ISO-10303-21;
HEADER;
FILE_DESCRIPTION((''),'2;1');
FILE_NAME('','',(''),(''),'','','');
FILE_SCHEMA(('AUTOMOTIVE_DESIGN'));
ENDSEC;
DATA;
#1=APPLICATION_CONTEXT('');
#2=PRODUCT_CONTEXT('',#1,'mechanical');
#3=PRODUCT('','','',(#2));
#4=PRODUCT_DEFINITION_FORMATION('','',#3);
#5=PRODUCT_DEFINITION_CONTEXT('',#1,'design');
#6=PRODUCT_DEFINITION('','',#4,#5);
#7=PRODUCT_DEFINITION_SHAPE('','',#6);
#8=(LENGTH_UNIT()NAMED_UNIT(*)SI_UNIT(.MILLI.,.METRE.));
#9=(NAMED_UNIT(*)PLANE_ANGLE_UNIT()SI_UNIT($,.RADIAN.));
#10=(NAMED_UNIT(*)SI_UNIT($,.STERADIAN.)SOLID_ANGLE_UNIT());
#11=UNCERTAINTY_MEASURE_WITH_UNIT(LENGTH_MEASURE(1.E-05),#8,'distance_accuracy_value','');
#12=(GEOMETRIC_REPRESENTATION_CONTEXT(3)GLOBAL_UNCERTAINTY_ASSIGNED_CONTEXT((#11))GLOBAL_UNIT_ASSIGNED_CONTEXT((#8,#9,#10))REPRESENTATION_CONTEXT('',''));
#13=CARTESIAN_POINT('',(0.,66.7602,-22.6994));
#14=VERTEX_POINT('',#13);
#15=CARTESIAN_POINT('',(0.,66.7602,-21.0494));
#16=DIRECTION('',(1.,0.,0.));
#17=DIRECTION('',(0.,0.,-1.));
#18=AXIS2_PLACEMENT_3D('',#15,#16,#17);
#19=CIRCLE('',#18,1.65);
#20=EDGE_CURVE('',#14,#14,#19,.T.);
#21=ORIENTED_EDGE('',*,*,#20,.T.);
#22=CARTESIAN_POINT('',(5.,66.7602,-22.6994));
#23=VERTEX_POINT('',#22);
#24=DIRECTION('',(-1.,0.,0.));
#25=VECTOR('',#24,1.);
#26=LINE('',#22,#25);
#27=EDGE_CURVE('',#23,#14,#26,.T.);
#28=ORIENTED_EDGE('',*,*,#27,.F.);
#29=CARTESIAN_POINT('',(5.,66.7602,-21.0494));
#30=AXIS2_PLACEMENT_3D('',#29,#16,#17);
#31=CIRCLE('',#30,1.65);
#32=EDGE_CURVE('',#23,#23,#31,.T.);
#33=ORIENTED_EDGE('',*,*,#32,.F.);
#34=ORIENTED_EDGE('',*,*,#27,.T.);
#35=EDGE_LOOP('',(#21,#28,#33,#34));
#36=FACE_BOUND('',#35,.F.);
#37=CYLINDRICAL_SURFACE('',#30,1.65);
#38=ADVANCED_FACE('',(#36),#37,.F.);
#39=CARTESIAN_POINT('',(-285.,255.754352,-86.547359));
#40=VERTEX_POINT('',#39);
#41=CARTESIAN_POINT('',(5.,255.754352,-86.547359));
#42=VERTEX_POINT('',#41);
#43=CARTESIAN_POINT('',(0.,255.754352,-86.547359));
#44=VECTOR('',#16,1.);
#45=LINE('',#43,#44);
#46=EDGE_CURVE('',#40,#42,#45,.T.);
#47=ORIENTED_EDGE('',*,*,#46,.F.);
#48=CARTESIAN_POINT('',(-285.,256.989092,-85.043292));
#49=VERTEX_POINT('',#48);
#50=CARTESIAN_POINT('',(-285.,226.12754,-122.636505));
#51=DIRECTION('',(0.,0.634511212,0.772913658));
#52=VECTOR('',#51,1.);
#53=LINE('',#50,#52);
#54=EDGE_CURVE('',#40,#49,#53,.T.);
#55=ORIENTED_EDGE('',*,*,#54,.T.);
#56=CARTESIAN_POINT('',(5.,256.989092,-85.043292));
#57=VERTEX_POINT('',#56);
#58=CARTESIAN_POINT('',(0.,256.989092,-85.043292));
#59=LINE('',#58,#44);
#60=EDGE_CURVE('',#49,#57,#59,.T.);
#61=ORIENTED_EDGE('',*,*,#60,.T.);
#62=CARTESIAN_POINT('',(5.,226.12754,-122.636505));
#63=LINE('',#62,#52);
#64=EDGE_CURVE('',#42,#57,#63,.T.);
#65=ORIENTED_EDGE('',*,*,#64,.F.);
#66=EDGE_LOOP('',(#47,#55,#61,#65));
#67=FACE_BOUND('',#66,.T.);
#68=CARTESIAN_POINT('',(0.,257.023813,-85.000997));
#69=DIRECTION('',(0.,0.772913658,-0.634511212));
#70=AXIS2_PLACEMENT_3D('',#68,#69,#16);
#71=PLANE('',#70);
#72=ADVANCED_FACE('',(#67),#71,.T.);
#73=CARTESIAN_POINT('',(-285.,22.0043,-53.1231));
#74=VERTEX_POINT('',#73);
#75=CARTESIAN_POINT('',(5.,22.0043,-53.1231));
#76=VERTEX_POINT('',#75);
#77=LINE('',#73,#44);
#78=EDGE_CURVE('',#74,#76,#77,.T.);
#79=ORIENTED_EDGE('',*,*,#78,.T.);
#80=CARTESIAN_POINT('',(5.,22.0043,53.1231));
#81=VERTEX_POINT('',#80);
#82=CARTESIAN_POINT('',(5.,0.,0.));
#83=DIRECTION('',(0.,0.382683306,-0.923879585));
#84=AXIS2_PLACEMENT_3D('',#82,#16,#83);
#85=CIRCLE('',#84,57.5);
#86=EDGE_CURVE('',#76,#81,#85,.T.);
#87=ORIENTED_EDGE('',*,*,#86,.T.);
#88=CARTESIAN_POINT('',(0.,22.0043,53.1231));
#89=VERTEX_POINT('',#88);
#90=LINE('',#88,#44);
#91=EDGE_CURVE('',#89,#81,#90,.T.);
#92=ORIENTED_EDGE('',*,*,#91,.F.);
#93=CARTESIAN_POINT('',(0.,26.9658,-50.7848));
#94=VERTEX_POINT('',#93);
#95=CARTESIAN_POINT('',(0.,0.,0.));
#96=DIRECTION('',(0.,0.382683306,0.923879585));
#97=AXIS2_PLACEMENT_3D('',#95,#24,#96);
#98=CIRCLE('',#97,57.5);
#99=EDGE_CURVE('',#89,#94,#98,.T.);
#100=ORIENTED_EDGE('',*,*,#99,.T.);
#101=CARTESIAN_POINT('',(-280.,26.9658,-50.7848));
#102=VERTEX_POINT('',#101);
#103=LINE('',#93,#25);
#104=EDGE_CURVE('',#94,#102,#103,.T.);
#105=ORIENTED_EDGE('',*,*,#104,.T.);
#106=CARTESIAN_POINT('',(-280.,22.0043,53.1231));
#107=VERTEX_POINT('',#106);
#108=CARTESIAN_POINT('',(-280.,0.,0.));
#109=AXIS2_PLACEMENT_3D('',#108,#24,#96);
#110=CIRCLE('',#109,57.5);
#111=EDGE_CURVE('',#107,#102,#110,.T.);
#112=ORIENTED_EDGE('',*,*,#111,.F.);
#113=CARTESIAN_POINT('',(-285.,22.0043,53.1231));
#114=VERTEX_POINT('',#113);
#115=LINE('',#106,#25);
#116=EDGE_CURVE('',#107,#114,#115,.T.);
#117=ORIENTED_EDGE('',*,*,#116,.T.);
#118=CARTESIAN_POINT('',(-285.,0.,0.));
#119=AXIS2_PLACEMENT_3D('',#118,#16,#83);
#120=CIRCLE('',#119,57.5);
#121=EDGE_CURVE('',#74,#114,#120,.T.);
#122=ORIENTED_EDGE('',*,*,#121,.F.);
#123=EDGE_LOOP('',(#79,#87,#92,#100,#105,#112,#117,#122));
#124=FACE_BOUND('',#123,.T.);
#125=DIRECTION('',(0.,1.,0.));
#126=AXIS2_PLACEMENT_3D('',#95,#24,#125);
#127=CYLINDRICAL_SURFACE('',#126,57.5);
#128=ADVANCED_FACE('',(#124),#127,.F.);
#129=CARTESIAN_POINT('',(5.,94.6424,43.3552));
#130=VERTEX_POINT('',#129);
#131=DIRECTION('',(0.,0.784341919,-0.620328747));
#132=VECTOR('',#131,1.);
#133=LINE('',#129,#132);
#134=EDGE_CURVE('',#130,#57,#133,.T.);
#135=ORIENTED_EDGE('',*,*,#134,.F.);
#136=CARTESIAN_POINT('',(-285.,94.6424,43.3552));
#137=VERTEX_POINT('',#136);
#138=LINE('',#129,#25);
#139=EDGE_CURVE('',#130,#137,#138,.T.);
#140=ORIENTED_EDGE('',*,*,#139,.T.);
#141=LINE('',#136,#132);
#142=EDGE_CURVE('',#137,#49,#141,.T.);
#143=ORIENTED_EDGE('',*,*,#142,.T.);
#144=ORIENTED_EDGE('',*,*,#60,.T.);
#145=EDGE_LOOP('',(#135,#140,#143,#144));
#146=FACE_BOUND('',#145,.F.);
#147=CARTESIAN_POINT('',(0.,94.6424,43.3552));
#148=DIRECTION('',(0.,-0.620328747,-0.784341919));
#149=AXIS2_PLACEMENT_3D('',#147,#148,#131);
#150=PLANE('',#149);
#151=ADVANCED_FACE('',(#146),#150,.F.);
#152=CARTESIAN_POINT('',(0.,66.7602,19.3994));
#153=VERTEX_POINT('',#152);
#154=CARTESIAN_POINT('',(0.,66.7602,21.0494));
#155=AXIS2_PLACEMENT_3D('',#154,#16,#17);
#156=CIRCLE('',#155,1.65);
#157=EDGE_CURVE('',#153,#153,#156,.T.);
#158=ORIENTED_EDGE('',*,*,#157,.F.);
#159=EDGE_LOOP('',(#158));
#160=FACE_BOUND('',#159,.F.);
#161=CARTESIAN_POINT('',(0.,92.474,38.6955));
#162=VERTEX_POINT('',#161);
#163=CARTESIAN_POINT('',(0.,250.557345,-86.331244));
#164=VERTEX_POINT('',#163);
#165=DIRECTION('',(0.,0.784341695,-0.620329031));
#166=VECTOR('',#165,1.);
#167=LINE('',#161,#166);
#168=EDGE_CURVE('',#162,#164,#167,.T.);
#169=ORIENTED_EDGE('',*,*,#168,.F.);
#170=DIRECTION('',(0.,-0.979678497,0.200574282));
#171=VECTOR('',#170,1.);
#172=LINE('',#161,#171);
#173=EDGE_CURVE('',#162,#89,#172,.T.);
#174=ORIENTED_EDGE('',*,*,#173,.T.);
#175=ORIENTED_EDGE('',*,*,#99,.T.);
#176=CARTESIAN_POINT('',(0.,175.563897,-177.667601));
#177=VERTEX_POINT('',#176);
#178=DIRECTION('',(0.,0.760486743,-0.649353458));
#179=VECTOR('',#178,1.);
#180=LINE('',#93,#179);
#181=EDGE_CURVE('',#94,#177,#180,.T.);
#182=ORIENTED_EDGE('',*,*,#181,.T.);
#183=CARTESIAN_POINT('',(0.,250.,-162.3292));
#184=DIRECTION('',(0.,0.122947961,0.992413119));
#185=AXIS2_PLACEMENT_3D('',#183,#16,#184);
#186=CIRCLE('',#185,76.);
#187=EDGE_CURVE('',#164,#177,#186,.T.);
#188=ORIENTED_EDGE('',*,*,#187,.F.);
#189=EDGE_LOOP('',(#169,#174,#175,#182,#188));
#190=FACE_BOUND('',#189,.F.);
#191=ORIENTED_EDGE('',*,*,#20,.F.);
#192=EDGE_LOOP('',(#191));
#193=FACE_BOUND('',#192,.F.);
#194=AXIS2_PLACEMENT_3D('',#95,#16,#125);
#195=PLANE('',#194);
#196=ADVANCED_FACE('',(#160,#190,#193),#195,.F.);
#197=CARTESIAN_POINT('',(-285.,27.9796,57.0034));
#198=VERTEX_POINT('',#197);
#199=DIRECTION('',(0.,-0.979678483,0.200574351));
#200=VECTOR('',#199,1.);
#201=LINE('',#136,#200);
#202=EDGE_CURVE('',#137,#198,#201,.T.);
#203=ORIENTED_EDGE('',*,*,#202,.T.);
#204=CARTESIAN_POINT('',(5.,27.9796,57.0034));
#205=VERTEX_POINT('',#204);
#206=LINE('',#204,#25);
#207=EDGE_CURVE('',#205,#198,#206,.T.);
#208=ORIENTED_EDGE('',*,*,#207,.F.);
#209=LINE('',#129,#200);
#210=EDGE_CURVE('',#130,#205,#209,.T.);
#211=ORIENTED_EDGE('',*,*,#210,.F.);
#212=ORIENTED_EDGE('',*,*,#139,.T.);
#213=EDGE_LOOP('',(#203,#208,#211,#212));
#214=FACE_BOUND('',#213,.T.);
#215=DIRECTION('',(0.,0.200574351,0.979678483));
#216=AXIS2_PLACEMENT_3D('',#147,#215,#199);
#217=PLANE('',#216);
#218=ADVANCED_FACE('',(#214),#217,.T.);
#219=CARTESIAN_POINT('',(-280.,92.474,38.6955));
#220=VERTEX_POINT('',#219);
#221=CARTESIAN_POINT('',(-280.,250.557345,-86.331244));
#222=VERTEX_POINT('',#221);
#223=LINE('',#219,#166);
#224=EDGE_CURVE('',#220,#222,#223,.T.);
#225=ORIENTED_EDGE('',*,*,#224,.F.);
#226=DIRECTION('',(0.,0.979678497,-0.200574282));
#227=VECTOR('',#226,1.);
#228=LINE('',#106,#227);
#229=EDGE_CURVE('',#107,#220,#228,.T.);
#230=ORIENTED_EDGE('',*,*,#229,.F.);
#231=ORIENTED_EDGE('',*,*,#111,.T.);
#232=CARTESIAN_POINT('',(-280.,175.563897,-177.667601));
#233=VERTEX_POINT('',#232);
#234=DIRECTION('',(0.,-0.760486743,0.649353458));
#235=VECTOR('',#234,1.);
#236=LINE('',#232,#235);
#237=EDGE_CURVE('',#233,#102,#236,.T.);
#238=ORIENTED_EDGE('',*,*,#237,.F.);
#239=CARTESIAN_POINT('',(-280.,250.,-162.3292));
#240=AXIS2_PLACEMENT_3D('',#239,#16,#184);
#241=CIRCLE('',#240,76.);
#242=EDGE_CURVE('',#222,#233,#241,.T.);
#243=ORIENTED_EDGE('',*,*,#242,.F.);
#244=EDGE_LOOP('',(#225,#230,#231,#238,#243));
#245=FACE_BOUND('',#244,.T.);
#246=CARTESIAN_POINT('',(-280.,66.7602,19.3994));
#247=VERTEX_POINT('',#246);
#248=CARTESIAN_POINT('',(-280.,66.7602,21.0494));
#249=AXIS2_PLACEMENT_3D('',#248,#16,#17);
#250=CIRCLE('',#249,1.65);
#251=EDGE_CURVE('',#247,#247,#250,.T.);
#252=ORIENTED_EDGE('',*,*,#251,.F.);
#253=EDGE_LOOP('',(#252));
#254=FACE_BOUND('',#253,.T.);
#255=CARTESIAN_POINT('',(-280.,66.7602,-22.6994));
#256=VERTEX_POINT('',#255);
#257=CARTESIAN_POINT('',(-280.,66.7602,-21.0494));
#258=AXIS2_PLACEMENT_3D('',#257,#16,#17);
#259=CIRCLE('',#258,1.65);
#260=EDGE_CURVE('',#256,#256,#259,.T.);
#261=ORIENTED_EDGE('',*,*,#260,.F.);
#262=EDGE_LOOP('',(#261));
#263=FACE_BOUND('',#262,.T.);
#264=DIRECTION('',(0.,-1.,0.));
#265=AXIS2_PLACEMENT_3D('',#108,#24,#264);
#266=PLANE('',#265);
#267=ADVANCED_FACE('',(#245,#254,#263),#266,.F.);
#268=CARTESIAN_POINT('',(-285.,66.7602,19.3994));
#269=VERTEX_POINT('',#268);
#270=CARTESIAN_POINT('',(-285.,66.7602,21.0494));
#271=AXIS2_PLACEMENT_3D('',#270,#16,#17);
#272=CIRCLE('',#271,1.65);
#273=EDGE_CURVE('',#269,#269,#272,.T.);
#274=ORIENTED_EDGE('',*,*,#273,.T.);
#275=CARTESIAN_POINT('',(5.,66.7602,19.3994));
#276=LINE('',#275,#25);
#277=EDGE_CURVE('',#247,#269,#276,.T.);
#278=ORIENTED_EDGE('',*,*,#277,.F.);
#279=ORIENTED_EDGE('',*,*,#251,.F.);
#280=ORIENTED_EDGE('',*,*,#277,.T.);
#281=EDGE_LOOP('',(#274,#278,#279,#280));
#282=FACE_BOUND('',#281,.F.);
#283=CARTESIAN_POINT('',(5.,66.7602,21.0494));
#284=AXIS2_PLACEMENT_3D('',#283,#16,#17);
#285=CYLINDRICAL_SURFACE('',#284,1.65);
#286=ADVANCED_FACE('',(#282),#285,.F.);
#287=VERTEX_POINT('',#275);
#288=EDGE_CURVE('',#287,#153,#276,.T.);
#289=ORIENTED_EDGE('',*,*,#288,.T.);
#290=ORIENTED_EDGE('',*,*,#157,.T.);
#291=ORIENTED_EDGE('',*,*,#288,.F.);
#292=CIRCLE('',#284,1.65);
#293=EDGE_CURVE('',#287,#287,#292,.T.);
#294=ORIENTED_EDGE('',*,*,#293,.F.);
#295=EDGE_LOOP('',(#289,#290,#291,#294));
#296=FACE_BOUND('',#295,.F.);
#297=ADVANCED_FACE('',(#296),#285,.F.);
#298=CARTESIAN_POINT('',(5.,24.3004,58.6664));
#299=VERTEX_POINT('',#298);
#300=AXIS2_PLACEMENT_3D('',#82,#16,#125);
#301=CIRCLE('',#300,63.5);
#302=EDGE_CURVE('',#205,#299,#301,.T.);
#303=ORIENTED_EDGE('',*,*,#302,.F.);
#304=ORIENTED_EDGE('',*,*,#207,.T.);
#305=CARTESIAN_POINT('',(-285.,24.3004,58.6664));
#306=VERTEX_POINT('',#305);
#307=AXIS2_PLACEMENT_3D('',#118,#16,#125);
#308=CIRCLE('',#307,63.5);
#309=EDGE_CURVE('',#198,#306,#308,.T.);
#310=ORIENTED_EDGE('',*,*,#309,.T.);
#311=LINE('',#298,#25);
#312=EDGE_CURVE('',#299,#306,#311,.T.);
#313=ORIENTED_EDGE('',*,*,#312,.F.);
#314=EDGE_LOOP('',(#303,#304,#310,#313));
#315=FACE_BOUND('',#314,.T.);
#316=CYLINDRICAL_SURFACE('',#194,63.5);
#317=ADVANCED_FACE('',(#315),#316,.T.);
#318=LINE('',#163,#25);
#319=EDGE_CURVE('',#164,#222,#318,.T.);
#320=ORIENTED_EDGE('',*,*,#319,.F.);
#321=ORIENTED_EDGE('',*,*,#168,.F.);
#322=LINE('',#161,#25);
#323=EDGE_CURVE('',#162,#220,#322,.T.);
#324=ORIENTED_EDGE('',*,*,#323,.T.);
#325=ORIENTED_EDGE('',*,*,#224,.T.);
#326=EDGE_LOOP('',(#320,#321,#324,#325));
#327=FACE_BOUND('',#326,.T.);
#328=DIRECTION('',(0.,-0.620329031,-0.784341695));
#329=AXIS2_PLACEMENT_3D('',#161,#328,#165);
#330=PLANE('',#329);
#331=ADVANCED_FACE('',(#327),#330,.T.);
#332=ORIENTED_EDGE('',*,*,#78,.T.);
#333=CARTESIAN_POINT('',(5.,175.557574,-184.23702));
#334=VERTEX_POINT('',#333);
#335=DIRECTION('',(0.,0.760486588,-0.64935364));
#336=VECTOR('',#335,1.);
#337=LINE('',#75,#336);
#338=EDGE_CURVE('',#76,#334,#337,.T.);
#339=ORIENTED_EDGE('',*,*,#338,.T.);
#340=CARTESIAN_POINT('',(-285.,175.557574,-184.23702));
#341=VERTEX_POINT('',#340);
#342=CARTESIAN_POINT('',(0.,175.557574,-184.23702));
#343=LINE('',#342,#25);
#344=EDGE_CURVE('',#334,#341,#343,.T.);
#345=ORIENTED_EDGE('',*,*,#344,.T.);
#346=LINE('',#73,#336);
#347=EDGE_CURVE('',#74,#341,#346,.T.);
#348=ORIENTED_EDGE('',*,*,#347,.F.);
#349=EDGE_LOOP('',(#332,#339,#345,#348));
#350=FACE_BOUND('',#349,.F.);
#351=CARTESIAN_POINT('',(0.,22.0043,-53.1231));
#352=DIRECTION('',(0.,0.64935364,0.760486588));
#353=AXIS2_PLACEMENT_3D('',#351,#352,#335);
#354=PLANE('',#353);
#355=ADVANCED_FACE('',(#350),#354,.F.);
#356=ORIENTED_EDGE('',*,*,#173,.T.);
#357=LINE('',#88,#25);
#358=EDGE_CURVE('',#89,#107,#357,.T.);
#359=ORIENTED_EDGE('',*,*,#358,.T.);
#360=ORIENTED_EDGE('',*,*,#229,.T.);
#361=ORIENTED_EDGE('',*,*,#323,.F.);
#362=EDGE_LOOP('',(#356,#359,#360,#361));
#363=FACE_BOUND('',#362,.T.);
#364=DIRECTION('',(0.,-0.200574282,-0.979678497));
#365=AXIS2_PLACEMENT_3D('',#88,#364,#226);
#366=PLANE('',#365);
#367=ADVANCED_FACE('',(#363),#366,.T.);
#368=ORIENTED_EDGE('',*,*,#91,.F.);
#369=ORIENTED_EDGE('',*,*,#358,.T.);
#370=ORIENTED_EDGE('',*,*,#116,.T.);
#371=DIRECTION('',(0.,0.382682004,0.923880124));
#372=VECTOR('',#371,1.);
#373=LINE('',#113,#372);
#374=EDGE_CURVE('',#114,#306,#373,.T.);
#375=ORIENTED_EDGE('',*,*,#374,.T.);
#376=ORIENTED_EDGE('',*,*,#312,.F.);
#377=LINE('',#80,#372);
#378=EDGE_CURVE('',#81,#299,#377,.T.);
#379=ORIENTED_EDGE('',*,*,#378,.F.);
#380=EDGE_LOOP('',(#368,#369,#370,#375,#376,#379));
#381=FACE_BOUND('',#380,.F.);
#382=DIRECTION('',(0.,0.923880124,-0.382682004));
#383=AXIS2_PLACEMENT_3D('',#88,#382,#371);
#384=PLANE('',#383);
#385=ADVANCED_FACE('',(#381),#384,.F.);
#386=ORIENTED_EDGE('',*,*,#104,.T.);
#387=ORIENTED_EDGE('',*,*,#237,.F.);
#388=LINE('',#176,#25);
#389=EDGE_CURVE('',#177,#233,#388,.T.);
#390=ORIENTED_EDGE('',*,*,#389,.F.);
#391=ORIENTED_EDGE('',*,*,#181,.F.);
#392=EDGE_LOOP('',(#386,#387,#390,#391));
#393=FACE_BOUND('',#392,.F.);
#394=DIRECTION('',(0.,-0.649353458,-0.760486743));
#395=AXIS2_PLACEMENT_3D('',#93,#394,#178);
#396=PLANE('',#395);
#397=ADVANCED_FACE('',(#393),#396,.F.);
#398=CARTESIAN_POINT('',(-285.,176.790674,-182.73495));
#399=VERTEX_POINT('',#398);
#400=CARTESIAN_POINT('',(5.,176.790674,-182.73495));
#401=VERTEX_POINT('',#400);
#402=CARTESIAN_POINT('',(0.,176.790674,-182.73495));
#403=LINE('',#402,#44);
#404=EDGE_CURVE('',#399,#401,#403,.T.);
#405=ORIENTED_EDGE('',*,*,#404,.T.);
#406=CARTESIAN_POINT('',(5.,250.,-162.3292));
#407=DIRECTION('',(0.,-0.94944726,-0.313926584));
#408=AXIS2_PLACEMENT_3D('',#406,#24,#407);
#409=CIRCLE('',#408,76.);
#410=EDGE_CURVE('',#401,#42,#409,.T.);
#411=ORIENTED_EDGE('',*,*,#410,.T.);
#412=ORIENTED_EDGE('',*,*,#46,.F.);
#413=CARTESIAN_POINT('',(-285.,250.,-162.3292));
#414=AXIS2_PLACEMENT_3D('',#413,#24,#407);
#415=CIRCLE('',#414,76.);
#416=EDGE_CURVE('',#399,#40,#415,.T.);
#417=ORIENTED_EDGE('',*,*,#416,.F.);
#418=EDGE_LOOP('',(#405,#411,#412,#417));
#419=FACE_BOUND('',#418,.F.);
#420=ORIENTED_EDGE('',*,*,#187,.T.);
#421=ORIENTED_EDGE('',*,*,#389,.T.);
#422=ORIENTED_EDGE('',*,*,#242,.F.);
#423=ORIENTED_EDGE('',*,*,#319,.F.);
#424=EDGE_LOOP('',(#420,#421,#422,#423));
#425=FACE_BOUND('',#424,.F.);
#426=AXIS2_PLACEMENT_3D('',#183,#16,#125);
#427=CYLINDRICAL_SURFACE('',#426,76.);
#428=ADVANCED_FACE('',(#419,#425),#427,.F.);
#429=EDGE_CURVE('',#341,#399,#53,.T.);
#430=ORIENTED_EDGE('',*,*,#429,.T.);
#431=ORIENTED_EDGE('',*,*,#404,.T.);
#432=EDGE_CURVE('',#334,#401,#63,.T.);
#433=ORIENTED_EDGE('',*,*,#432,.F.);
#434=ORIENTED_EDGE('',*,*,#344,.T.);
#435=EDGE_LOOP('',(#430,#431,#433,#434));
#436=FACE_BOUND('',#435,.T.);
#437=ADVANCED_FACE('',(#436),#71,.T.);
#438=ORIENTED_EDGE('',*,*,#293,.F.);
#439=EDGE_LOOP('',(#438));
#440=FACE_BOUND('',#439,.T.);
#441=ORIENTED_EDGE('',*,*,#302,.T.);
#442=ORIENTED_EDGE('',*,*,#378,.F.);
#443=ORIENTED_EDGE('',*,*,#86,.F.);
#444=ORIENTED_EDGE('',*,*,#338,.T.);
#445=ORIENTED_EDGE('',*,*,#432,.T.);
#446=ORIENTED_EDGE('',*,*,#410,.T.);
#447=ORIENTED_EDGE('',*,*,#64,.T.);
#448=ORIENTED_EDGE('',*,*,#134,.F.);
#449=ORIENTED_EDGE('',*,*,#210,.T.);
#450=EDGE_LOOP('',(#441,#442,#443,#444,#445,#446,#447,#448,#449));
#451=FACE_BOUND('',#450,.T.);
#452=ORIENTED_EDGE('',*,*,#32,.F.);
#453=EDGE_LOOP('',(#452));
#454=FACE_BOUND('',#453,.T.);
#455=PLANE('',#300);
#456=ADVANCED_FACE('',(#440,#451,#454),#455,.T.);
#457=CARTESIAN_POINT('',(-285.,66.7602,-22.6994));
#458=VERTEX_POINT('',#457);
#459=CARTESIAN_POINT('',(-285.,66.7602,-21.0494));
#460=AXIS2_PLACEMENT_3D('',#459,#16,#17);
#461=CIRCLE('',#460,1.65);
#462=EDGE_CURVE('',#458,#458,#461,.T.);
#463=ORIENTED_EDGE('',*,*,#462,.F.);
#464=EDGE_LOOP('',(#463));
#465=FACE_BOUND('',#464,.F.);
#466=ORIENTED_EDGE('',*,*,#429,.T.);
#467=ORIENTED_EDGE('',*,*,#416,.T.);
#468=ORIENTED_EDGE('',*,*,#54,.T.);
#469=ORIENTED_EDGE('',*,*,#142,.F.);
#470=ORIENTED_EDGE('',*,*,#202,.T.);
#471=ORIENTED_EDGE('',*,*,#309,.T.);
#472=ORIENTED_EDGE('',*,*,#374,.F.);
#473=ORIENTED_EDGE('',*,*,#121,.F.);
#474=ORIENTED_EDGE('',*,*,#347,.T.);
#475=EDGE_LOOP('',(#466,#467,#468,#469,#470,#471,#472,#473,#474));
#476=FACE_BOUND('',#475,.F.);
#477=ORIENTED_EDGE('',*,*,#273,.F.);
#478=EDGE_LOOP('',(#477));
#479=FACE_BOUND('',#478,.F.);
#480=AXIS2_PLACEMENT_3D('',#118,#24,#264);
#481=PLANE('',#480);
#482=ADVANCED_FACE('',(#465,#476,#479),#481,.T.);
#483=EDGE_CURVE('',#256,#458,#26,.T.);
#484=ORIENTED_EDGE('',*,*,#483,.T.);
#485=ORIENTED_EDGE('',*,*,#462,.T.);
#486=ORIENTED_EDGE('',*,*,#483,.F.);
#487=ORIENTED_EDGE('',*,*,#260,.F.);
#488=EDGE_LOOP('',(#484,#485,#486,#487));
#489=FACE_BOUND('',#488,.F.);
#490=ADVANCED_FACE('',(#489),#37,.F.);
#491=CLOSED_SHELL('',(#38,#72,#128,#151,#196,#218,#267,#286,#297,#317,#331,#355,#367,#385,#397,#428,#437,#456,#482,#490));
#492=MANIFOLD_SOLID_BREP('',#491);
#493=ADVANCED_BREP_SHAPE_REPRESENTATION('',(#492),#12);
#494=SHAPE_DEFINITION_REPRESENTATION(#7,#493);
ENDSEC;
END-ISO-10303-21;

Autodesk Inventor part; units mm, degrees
ref_plane "YZ Plane" through (0, 0, 0) normal (1, 0, 0) x (0, 1, 0)
ref_plane "XZ Plane" through (0, 0, 0) normal (0, 1, 0) x (-1, 0, 0)
ref_plane "XY Plane" through (0, 0, 0) normal (0, 0, 1) x (1, 0, 0)
sketch "Sketch1" plane through (0, 0, 0) normal (1, 0, 0) x (0, 1, 0)
  circle A0 centre (0, 0) radius 57.5
  line L0 (0, 0) -> (22.0043, 53.1231)
  line L1 (0, 0) -> (22.0043, -53.1231)
  line L2 (22.0043, 53.1231) -> (22.0043, -53.1231) construction
  line L3 (22.0043, 53.1231) -> (24.3004, 58.6664)
  line L4 (22.0043, -53.1231) -> (24.3004, -58.6664)
  circle A1 centre (0, 0) radius 63.5
  line L5 (22.0043, -53.1231) -> (207.792, -211.7609)
  line L6 (0, 0) -> (0, -50)
  line L7 (94.6424, 43.3552) -> (292.208, -112.8976)
  line L8 (92.474, 38.6955) -> (288.9589, -116.7027)
  line L9 (26.9658, -50.7848) -> (211.0388, -207.9584)
  line L10 (292.208, -112.8976) -> (207.792, -211.7609)
  circle A2 centre (250, -162.3292) radius 10
  circle A3 centre (250, -162.3292) radius 76
  line L11 (94.6424, 43.3552) -> (27.9796, 57.0034)
  line L12 (22.0043, 53.1231) -> (92.474, 38.6955)
  line L13 (0, 0) -> (0, -77.5)
  point P0 (22.0043, 0)
  point P1 (250.5574, -86.3313)
  point P2 (259.3441, -86.9058)
  point P3 (177.842, -186.1875)
  point P4 (175.5639, -177.6676)
  point P5 (243.5065, -169.9341)
  point P6 (256.4935, -154.7244)
  point P7 (27.0643, -57.4436)
  point P8 (39.7995, 49.4798)
  point P9 (31.8357, -54.943)
  dimension "d0" = 115
  dimension "d1" = 135
  dimension "d2" = 6
  dimension "d6" = 5
  dimension "d7" = 5
  dimension "d8" = 90
  dimension "d9" = 130
  dimension "d11" = 50
  dimension "d14" = 20
  dimension "d16" = 152
  dimension "d17" = 250
  dimension "d18" = 5
  dimension "d24" = 77.5
  dimension "d26" = 264
extrude "Extrusion1" add sketch "Sketch1" against normal blind 280 contours L3 A1 L12 | L9 A1 L5 A0 | A1 L11 L7 A3 L8 L12 | L9 A3 L5 A1
extrude "Extrusion2" add sketch "Sketch1" along normal blind 5 contours A0 L12 A1 L9 | L3 A1 L12 | L9 A1 L5 A0 | L12 L8 A3 L9 A1 | A1 L11 L7 A3 L8 L12 | L9 A3 L5 A1
ref_plane "Work Plane1" through (-140, 0, 0) normal (-1, 0, 0) x (0, 0, 1)
mirror "Mirror1" about plane through (-140, 0, 0) normal (-1, 0, 0) of "Extrusion2"
sketch "Sketch2" plane through (5, 0, 0) normal (1, 0, 0) x (0, 0, -1)
  line L0 (86.9058, 259.3441) -> (-43.3552, 94.6424) projected
  line L1 (-43.3552, 94.6424) -> (-57.0034, 27.9796) projected
  arc A0 (-57.0034, 27.9796) -> (-58.6664, 24.3004) centre (0, 0) ccw projected
  line L2 (-58.6664, 24.3004) -> (-53.1231, 22.0043) projected
  arc A1 (53.1231, 22.0043) -> (-53.1231, 22.0043) centre (0, 0) ccw projected
  line L3 (53.1231, 22.0043) -> (186.1875, 177.842) projected
  arc A2 (86.9058, 259.3441) -> (186.1875, 177.842) centre (162.3292, 250) ccw projected
  circle A3 centre (0, 0) radius 63.5 projected
  circle A4 centre (-21.0494, 66.7602) radius 1.65
  line L4 (-21.0494, 66.7602) -> (0, 0) construction
  line L5 (0, 0) -> (21.0494, 66.7602) construction
  line L6 (-21.0494, 66.7602) -> (21.0494, 66.7602) construction
  circle A5 centre (21.0494, 66.7602) radius 1.65
  point P0 (0, 66.7602)
  dimension "d19" = 3.3
  dimension "d20" = 70
  dimension "d21" = 35
extrude "Extrusion3" cut sketch "Sketch2" against normal through all contours A4 | A5
ref_plane "Work Plane2" through (0, 259.3441, -86.9058) normal (0, 0.7729, -0.6345) x (1, 0, 0)
sketch "Sketch3" plane through (0, 259.3441, -86.9058) normal (0, 0.7729, -0.6345) x (1, 0, 0)
  line L0 (-314.1788, 142.1673) -> (47.7858, 142.1673)
  line L1 (47.7858, 142.1673) -> (47.7858, -28.3874)
  line L2 (47.7858, -28.3874) -> (-314.1788, -28.3874)
  line L3 (-314.1788, -28.3874) -> (-314.1788, 142.1673)
  point P0 (0, 97.3835)
extrude "Extrusion4" cut sketch "Sketch3" against normal blind 3
properties part number "CANALETA_GUIA" material "Steel, Mild, Welded"
